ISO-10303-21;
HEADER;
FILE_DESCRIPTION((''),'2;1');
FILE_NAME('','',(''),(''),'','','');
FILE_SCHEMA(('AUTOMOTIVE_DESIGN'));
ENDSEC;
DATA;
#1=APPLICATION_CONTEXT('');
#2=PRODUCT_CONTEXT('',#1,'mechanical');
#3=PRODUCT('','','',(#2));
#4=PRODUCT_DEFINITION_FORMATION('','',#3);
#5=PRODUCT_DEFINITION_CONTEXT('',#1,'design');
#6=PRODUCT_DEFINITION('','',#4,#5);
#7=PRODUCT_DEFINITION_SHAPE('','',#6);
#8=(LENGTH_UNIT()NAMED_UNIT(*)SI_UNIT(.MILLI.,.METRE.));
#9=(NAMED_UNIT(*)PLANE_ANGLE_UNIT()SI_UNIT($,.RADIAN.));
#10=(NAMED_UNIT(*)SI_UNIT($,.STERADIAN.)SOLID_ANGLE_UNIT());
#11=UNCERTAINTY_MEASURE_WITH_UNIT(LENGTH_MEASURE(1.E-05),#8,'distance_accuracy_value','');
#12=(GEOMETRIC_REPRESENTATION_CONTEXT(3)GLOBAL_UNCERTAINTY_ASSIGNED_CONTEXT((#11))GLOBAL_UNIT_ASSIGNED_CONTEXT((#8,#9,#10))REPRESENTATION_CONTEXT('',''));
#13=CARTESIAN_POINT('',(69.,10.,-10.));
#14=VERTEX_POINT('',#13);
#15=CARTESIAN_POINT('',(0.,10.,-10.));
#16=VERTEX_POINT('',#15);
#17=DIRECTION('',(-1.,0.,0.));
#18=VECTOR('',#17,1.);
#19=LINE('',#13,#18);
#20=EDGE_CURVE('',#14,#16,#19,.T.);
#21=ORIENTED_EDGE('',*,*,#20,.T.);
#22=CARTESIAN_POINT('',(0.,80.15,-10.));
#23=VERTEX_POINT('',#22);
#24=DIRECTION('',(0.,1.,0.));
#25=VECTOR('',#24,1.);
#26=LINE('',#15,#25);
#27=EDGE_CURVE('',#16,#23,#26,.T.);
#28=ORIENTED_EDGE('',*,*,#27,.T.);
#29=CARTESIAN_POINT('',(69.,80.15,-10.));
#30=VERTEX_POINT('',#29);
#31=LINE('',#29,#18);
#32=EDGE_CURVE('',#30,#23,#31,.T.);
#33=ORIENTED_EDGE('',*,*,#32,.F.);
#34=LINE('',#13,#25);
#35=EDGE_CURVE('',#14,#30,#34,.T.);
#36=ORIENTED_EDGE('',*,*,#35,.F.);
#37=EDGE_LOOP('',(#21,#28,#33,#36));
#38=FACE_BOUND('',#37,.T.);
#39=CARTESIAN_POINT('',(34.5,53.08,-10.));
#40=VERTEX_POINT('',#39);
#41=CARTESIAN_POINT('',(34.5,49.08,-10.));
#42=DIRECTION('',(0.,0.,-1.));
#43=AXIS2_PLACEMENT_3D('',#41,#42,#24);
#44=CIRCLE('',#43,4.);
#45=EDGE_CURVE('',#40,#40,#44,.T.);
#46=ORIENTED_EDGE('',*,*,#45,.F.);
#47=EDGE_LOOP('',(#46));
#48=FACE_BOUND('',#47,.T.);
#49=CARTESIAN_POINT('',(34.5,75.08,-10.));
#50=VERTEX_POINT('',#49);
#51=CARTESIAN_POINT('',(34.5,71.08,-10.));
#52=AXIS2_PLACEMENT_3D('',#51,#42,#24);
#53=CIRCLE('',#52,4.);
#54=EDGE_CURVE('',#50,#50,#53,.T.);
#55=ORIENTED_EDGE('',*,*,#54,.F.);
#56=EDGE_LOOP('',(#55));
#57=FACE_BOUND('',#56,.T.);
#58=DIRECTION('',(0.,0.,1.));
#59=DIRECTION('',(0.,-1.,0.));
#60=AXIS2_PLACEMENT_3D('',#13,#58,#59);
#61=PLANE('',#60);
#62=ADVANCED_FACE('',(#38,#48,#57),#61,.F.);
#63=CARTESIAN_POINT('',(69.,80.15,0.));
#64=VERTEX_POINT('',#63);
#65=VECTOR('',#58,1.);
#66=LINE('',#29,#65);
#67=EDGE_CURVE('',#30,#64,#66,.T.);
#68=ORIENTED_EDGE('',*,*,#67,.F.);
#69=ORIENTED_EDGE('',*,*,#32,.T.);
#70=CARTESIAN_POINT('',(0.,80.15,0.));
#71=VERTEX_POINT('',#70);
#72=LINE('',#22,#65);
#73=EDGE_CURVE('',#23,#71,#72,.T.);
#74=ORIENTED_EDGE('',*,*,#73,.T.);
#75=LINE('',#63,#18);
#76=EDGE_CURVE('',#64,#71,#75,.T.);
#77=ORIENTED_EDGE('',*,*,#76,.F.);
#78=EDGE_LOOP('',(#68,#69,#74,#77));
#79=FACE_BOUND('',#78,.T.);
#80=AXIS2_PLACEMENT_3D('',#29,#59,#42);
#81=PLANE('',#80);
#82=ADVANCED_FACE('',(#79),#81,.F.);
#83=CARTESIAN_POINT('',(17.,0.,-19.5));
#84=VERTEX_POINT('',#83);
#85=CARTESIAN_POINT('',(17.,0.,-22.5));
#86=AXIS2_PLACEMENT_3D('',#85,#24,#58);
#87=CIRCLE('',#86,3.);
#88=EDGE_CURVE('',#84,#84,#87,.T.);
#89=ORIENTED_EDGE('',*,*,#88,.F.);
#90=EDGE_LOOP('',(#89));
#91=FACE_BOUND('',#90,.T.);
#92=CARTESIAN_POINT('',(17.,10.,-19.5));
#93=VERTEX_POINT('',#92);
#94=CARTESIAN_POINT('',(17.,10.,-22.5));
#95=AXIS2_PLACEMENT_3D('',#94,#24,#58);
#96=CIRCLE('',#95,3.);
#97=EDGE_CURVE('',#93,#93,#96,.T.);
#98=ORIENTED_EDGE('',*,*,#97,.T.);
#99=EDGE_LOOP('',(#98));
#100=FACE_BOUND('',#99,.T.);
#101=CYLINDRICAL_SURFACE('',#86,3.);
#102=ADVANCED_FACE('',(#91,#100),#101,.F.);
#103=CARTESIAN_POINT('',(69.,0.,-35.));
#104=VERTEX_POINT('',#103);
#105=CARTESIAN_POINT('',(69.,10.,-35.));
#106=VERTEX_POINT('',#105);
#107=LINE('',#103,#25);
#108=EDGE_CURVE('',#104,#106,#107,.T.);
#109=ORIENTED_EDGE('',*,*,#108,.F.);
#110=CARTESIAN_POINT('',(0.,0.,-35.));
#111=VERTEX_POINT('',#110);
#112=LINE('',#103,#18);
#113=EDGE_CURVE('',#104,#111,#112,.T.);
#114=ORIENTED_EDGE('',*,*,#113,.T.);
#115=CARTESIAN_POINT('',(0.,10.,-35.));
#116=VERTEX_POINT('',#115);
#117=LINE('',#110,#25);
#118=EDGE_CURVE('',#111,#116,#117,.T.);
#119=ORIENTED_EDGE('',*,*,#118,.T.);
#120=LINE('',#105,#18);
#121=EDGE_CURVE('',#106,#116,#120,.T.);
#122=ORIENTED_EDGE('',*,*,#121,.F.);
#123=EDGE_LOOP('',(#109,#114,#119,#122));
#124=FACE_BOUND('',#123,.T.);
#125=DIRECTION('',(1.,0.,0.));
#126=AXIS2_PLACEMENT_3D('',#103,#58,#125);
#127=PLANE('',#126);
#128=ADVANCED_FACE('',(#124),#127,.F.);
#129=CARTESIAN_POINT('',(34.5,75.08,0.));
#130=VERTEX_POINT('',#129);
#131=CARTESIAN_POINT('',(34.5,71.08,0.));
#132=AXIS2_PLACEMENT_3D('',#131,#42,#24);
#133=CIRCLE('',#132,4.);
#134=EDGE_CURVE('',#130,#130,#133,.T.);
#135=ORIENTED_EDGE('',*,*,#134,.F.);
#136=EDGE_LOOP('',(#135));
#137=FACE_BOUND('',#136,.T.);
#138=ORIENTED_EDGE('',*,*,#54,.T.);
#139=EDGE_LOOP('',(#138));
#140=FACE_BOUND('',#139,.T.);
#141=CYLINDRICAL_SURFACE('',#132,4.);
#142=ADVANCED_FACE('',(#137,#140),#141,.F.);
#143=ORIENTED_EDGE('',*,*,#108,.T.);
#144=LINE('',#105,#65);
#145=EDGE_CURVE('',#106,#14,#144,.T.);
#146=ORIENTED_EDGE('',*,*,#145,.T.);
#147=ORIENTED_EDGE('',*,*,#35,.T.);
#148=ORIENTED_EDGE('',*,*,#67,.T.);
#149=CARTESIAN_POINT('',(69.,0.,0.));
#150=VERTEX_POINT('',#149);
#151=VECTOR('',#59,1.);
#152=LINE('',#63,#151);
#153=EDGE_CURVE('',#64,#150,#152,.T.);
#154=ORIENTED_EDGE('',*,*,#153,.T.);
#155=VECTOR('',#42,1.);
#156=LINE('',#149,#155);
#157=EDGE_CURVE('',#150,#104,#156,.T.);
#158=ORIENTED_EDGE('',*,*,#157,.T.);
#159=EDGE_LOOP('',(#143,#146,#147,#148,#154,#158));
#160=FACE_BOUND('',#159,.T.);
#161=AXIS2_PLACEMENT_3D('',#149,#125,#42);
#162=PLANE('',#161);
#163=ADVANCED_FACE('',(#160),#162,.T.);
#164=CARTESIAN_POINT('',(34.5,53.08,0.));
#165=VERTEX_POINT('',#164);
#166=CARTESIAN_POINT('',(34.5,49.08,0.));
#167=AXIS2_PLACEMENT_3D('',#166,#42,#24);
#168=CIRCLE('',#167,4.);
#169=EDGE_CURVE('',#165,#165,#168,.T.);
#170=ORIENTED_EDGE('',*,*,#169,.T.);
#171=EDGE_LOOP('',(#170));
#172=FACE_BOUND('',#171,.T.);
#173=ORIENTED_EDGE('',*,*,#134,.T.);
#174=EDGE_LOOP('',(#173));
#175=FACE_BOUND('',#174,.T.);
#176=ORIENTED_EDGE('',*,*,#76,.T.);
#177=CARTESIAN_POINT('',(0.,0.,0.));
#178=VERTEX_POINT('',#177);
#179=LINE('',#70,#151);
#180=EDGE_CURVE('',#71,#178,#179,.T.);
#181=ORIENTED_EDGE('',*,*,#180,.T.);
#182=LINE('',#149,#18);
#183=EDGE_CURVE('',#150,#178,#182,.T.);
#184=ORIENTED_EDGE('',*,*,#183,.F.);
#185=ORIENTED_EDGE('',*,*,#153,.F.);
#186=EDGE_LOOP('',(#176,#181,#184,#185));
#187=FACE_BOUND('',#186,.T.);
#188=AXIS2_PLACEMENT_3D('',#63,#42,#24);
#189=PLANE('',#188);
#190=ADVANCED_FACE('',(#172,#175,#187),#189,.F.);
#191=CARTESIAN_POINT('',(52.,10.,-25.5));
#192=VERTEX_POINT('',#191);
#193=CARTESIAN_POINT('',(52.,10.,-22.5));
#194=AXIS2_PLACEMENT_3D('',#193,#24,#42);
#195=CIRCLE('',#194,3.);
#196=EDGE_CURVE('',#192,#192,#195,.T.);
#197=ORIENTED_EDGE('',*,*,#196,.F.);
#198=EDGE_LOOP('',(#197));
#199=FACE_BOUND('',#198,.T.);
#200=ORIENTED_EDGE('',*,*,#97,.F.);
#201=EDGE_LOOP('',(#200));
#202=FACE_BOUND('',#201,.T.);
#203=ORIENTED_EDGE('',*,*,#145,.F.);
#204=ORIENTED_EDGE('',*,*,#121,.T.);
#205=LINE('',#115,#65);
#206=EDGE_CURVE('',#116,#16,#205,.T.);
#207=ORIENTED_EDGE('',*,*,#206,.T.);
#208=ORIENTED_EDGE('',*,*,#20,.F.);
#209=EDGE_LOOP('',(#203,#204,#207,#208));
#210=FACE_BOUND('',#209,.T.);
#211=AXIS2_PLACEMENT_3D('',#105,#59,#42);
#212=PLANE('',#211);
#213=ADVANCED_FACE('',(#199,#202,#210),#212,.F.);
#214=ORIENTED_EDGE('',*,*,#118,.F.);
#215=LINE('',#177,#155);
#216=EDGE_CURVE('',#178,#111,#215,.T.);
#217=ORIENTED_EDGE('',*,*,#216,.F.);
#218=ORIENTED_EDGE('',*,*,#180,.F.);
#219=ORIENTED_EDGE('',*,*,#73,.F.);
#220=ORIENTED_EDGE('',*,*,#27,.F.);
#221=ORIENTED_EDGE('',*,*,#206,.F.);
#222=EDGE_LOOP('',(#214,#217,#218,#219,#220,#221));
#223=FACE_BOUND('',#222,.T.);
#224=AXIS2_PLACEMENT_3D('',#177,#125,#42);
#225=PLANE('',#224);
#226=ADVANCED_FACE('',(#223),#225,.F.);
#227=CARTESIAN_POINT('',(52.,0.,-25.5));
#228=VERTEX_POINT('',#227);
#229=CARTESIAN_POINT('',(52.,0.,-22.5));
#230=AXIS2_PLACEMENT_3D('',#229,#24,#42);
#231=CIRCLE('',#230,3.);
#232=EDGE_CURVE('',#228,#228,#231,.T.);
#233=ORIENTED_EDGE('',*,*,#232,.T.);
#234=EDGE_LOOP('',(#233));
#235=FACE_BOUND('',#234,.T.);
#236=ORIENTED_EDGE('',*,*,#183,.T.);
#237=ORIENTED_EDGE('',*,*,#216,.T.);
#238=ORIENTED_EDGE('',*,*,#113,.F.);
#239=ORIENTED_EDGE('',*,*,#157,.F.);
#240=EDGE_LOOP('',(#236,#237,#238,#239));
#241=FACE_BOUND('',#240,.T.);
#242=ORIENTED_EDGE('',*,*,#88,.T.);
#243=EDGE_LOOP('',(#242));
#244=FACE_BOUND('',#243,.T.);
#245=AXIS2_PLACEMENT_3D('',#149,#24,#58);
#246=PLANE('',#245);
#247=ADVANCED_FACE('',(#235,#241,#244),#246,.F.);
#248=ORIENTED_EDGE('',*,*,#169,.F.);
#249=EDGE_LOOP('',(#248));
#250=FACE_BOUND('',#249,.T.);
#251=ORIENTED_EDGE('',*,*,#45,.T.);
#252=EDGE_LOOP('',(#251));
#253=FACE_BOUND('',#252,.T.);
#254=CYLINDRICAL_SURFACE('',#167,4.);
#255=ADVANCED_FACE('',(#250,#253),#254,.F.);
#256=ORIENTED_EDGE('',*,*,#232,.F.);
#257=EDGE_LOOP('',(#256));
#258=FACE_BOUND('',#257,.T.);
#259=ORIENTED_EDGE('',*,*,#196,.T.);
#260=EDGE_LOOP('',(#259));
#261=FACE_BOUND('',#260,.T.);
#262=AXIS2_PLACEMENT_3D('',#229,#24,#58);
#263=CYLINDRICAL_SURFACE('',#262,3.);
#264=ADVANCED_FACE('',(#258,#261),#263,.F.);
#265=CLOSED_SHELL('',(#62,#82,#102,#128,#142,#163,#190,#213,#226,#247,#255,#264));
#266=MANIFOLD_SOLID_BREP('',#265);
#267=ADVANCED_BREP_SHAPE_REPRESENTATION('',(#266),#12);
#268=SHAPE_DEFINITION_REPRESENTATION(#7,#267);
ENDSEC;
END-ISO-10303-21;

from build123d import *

# Parameters (mm, degrees)
BOSS_EXTRUDE1_DEPTH = 69
SKETCH2_R           = 4
CUT_EXTRUDE1_DEPTH  = 11
SKETCH3_R           = 3
CUT_EXTRUDE2_DEPTH  = 10


with BuildPart() as part:
    # Sketch1 → Boss-Extrude1 (new body)
    with BuildSketch(Plane(origin=(0, 0, 0), x_dir=(0, 0, -1), z_dir=(1, 0, 0))):
        Polygon((0, 80.15), (0, 0), (35, 0), (35, 10), (10, 10), (10, 80.15), align=None)
    extrude(amount=BOSS_EXTRUDE1_DEPTH)

    # Sketch2 → Cut-Extrude1 (cut, through all)
    with BuildSketch(Plane(origin=(0, 0, -10), x_dir=(-1, 0, 0), z_dir=(0, 0, -1))):
        with Locations((-34.5, 71.08)):
            Circle(SKETCH2_R)
        with Locations((-34.5, 49.08)):
            Circle(SKETCH2_R)
    extrude(amount=-CUT_EXTRUDE1_DEPTH, mode=Mode.SUBTRACT)

    # Sketch3 → Cut-Extrude2 (cut)
    with BuildSketch(Plane(origin=(0, 10, 0), x_dir=(1, 0, 0), z_dir=(0, 1, 0))):
        with Locations((17, 22.5)):
            Circle(SKETCH3_R)
        with Locations((52, 22.5)):
            Circle(SKETCH3_R)
    extrude(amount=-CUT_EXTRUDE2_DEPTH, mode=Mode.SUBTRACT)


solid = part.part
